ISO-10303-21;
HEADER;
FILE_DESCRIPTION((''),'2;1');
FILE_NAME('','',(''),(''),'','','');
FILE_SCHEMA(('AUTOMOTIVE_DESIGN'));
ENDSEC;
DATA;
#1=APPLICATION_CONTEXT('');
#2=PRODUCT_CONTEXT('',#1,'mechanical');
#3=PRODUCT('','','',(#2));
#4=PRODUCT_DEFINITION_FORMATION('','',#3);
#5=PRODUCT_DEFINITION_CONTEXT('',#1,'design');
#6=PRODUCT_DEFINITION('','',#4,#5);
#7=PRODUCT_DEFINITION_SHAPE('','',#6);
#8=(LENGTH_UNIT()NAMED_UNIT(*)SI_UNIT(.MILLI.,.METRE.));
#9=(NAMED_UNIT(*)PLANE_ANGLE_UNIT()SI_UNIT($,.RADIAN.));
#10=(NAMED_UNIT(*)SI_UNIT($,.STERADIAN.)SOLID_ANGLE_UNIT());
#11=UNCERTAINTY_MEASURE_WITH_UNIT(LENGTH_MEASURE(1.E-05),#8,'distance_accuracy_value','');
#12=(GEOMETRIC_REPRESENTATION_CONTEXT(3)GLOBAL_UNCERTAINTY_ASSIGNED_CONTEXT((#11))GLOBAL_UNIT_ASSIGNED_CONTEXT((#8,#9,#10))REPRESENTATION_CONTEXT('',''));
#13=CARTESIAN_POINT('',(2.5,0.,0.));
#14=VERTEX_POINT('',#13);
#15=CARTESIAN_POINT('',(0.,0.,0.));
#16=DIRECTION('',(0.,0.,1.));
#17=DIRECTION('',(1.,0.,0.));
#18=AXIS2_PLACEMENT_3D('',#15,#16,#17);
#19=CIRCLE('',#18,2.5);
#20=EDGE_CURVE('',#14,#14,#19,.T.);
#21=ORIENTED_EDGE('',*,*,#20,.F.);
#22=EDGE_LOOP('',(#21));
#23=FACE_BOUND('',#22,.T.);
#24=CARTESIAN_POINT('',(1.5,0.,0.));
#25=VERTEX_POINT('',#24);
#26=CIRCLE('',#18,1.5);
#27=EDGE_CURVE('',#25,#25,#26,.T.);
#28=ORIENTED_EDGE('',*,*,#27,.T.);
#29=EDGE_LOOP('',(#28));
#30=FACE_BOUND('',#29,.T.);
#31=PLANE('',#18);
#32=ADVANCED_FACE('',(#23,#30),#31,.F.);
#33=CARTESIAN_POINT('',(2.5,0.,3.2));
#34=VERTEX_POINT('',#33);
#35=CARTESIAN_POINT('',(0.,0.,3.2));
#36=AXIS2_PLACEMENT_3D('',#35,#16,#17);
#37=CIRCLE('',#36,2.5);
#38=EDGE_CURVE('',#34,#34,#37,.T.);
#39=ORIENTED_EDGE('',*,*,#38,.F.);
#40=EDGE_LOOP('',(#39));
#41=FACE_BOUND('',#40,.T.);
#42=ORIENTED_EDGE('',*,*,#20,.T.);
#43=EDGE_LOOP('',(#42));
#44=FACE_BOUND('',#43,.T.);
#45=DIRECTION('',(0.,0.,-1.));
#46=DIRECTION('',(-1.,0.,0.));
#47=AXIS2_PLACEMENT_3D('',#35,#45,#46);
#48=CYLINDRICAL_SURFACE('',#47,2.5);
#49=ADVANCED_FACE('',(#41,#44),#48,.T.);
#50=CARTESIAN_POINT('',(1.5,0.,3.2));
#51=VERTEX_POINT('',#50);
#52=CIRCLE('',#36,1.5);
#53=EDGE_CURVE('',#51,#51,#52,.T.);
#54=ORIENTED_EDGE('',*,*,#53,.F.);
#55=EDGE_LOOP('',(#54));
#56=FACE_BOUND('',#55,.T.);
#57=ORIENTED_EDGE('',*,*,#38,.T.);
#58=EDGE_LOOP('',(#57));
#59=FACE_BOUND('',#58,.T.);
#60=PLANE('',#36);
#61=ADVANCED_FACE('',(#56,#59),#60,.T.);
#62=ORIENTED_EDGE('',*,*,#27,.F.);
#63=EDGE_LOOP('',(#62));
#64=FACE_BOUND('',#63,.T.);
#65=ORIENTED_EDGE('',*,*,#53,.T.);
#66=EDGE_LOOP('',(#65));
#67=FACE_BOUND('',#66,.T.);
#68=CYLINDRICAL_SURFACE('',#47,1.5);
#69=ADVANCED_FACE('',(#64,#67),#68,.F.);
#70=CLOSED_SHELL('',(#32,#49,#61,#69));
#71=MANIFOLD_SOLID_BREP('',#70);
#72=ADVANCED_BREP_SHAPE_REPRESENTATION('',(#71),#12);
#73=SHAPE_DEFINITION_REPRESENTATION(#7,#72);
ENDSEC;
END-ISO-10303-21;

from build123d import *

# Parameters (mm, degrees)
SKETCH1_R      = 2.5
SKETCH1_R_2    = 1.5
EXTRUDE1_DEPTH = 3.2


with BuildPart() as part:
    # Sketch1 → Extrude1 (new body)
    with BuildSketch(Plane.XY):
        Circle(SKETCH1_R)
        Circle(SKETCH1_R_2, mode=Mode.SUBTRACT)
    extrude(amount=EXTRUDE1_DEPTH)


solid = part.part
